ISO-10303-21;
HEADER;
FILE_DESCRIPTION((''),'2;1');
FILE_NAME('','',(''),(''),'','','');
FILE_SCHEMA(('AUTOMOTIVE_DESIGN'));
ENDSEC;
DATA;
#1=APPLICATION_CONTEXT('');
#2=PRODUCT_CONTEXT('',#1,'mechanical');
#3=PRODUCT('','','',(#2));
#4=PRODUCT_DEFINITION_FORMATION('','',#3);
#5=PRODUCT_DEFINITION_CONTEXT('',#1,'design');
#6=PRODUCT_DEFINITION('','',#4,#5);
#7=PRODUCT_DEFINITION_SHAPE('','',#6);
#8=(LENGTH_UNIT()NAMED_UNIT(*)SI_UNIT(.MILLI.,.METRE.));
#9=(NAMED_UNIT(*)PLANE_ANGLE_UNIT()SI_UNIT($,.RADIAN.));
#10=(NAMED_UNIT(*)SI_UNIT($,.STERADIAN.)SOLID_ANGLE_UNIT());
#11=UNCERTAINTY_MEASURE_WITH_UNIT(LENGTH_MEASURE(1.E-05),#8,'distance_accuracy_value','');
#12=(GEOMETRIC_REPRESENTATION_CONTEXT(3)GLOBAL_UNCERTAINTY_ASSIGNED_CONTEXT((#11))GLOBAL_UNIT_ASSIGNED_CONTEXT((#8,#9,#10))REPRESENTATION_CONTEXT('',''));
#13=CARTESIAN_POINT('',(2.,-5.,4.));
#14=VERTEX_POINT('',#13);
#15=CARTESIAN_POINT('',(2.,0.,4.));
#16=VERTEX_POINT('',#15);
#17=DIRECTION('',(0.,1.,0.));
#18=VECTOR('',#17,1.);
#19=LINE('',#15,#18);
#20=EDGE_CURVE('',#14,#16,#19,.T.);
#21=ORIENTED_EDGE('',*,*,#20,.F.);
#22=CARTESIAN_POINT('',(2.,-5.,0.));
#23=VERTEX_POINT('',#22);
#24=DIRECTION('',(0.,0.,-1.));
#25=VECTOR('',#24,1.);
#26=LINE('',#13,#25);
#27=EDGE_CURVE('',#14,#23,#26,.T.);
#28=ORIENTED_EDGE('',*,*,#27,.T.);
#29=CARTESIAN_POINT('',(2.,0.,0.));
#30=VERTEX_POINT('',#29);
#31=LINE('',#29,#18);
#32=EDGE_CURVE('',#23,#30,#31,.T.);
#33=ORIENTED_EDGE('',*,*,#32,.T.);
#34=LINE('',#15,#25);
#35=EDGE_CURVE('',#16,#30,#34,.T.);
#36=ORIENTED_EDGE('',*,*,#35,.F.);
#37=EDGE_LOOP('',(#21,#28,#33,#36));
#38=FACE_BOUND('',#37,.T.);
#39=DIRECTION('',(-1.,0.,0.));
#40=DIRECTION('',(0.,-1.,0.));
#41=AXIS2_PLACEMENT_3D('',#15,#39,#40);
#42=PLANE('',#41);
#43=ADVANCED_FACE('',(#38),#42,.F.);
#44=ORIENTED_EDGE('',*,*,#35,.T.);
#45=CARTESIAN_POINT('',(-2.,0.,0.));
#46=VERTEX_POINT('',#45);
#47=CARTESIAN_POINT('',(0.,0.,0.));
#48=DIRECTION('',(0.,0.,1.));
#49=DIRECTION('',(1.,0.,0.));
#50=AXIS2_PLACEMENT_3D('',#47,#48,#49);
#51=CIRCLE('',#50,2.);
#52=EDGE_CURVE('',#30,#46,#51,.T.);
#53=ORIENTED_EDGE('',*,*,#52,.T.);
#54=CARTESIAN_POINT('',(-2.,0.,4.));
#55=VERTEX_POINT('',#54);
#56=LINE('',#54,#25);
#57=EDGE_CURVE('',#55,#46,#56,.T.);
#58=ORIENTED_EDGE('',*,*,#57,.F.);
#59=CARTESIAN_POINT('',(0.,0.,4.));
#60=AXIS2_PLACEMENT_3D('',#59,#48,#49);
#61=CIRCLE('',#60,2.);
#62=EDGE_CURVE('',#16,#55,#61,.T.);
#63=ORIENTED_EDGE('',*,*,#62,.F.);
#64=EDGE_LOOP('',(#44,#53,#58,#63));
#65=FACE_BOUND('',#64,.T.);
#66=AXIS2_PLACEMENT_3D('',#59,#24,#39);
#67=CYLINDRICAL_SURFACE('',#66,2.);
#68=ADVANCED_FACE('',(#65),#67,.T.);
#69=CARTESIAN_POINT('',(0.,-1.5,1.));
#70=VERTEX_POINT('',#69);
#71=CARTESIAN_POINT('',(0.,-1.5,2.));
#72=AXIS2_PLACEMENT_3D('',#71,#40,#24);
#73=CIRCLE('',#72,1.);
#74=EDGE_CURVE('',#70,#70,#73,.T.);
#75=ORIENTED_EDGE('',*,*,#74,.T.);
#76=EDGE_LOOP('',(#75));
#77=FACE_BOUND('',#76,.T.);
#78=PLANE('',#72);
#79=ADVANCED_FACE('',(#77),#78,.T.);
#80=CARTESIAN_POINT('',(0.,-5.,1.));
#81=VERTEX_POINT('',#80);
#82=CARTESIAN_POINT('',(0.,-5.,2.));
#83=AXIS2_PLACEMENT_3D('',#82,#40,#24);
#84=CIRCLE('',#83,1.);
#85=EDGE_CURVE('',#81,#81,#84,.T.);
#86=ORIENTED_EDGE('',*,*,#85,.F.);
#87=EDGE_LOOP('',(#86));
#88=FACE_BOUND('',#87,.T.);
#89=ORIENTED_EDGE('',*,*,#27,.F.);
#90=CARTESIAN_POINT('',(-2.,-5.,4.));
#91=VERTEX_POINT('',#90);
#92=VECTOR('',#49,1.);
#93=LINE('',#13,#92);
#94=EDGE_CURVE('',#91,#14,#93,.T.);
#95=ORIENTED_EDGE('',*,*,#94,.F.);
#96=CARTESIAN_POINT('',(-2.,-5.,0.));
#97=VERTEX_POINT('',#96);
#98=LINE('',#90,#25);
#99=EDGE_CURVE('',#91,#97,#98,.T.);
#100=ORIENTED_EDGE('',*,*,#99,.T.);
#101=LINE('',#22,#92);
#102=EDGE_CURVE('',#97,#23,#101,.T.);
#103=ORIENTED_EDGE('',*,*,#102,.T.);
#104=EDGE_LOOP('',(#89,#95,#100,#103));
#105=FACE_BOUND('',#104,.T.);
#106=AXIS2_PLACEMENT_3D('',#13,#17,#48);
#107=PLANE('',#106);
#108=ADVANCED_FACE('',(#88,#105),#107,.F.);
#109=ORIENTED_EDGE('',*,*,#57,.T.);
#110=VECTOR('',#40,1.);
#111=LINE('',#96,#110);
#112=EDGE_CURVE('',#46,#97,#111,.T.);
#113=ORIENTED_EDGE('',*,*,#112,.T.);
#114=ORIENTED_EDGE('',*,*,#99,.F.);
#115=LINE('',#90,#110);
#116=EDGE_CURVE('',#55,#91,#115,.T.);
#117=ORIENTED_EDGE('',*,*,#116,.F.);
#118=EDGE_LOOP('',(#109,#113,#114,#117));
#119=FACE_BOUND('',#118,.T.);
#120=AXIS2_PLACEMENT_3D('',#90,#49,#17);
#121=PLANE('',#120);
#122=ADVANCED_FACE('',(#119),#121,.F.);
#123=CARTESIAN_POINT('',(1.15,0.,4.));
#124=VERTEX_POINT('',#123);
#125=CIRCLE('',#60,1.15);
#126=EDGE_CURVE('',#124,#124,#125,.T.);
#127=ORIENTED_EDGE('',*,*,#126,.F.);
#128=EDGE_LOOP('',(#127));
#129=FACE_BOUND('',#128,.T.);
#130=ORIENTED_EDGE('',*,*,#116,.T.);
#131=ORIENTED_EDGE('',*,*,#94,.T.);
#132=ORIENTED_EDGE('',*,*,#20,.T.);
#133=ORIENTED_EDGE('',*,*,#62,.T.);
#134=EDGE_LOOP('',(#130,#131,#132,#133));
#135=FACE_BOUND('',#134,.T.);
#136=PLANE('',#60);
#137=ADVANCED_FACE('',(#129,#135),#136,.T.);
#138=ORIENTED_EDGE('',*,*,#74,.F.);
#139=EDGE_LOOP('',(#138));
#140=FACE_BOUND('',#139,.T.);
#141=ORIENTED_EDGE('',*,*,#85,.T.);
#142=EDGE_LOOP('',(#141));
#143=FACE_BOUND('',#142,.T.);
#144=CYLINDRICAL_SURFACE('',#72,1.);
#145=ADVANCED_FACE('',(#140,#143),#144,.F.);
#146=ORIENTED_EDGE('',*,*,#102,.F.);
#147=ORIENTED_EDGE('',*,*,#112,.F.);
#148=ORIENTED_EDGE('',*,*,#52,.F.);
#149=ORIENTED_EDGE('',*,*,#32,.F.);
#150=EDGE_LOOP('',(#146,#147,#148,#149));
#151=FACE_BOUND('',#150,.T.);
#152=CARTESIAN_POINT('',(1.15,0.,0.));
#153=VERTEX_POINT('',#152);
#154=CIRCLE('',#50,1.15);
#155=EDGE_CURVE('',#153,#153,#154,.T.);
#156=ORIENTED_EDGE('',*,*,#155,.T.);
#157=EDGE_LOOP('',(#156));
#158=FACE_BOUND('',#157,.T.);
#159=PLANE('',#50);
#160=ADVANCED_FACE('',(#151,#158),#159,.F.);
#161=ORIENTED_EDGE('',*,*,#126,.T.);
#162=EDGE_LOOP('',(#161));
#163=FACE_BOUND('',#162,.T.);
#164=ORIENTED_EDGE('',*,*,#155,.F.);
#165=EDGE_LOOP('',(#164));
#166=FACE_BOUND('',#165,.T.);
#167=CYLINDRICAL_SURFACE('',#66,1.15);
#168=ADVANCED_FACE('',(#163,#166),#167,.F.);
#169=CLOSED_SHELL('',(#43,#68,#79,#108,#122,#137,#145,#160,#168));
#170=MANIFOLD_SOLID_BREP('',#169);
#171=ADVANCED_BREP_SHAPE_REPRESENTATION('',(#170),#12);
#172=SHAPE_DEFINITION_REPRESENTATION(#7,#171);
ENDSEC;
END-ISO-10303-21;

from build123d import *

# Parameters (mm, degrees)
SKETCH_1_R          = 1.15
EXTRUDE_1_DEPTH     = 4
SKETCH_2_R          = 1
CUT_EXTRUDE_1_DEPTH = 3.5


with BuildPart() as part:
    # 草图1 → 凸台-拉伸1 (new body)
    with BuildSketch(Plane.XY):
        with BuildLine():
            Line((2, 0), (2, -5))
            Line((2, -5), (-2, -5))
            Line((-2, -5), (-2, 0))
            ThreePointArc((-2, 0), (0, 2), (2, 0))
        make_face()
        Circle(SKETCH_1_R, mode=Mode.SUBTRACT)
    extrude(amount=EXTRUDE_1_DEPTH)

    # 草图2 → 切除-拉伸1 (cut)
    with BuildSketch(Plane.XZ.offset(5)):
        with Locations(Location((0, 2, 0), (0, 0, 270))):
            Circle(SKETCH_2_R)
    extrude(amount=-CUT_EXTRUDE_1_DEPTH, mode=Mode.SUBTRACT)


solid = part.part
